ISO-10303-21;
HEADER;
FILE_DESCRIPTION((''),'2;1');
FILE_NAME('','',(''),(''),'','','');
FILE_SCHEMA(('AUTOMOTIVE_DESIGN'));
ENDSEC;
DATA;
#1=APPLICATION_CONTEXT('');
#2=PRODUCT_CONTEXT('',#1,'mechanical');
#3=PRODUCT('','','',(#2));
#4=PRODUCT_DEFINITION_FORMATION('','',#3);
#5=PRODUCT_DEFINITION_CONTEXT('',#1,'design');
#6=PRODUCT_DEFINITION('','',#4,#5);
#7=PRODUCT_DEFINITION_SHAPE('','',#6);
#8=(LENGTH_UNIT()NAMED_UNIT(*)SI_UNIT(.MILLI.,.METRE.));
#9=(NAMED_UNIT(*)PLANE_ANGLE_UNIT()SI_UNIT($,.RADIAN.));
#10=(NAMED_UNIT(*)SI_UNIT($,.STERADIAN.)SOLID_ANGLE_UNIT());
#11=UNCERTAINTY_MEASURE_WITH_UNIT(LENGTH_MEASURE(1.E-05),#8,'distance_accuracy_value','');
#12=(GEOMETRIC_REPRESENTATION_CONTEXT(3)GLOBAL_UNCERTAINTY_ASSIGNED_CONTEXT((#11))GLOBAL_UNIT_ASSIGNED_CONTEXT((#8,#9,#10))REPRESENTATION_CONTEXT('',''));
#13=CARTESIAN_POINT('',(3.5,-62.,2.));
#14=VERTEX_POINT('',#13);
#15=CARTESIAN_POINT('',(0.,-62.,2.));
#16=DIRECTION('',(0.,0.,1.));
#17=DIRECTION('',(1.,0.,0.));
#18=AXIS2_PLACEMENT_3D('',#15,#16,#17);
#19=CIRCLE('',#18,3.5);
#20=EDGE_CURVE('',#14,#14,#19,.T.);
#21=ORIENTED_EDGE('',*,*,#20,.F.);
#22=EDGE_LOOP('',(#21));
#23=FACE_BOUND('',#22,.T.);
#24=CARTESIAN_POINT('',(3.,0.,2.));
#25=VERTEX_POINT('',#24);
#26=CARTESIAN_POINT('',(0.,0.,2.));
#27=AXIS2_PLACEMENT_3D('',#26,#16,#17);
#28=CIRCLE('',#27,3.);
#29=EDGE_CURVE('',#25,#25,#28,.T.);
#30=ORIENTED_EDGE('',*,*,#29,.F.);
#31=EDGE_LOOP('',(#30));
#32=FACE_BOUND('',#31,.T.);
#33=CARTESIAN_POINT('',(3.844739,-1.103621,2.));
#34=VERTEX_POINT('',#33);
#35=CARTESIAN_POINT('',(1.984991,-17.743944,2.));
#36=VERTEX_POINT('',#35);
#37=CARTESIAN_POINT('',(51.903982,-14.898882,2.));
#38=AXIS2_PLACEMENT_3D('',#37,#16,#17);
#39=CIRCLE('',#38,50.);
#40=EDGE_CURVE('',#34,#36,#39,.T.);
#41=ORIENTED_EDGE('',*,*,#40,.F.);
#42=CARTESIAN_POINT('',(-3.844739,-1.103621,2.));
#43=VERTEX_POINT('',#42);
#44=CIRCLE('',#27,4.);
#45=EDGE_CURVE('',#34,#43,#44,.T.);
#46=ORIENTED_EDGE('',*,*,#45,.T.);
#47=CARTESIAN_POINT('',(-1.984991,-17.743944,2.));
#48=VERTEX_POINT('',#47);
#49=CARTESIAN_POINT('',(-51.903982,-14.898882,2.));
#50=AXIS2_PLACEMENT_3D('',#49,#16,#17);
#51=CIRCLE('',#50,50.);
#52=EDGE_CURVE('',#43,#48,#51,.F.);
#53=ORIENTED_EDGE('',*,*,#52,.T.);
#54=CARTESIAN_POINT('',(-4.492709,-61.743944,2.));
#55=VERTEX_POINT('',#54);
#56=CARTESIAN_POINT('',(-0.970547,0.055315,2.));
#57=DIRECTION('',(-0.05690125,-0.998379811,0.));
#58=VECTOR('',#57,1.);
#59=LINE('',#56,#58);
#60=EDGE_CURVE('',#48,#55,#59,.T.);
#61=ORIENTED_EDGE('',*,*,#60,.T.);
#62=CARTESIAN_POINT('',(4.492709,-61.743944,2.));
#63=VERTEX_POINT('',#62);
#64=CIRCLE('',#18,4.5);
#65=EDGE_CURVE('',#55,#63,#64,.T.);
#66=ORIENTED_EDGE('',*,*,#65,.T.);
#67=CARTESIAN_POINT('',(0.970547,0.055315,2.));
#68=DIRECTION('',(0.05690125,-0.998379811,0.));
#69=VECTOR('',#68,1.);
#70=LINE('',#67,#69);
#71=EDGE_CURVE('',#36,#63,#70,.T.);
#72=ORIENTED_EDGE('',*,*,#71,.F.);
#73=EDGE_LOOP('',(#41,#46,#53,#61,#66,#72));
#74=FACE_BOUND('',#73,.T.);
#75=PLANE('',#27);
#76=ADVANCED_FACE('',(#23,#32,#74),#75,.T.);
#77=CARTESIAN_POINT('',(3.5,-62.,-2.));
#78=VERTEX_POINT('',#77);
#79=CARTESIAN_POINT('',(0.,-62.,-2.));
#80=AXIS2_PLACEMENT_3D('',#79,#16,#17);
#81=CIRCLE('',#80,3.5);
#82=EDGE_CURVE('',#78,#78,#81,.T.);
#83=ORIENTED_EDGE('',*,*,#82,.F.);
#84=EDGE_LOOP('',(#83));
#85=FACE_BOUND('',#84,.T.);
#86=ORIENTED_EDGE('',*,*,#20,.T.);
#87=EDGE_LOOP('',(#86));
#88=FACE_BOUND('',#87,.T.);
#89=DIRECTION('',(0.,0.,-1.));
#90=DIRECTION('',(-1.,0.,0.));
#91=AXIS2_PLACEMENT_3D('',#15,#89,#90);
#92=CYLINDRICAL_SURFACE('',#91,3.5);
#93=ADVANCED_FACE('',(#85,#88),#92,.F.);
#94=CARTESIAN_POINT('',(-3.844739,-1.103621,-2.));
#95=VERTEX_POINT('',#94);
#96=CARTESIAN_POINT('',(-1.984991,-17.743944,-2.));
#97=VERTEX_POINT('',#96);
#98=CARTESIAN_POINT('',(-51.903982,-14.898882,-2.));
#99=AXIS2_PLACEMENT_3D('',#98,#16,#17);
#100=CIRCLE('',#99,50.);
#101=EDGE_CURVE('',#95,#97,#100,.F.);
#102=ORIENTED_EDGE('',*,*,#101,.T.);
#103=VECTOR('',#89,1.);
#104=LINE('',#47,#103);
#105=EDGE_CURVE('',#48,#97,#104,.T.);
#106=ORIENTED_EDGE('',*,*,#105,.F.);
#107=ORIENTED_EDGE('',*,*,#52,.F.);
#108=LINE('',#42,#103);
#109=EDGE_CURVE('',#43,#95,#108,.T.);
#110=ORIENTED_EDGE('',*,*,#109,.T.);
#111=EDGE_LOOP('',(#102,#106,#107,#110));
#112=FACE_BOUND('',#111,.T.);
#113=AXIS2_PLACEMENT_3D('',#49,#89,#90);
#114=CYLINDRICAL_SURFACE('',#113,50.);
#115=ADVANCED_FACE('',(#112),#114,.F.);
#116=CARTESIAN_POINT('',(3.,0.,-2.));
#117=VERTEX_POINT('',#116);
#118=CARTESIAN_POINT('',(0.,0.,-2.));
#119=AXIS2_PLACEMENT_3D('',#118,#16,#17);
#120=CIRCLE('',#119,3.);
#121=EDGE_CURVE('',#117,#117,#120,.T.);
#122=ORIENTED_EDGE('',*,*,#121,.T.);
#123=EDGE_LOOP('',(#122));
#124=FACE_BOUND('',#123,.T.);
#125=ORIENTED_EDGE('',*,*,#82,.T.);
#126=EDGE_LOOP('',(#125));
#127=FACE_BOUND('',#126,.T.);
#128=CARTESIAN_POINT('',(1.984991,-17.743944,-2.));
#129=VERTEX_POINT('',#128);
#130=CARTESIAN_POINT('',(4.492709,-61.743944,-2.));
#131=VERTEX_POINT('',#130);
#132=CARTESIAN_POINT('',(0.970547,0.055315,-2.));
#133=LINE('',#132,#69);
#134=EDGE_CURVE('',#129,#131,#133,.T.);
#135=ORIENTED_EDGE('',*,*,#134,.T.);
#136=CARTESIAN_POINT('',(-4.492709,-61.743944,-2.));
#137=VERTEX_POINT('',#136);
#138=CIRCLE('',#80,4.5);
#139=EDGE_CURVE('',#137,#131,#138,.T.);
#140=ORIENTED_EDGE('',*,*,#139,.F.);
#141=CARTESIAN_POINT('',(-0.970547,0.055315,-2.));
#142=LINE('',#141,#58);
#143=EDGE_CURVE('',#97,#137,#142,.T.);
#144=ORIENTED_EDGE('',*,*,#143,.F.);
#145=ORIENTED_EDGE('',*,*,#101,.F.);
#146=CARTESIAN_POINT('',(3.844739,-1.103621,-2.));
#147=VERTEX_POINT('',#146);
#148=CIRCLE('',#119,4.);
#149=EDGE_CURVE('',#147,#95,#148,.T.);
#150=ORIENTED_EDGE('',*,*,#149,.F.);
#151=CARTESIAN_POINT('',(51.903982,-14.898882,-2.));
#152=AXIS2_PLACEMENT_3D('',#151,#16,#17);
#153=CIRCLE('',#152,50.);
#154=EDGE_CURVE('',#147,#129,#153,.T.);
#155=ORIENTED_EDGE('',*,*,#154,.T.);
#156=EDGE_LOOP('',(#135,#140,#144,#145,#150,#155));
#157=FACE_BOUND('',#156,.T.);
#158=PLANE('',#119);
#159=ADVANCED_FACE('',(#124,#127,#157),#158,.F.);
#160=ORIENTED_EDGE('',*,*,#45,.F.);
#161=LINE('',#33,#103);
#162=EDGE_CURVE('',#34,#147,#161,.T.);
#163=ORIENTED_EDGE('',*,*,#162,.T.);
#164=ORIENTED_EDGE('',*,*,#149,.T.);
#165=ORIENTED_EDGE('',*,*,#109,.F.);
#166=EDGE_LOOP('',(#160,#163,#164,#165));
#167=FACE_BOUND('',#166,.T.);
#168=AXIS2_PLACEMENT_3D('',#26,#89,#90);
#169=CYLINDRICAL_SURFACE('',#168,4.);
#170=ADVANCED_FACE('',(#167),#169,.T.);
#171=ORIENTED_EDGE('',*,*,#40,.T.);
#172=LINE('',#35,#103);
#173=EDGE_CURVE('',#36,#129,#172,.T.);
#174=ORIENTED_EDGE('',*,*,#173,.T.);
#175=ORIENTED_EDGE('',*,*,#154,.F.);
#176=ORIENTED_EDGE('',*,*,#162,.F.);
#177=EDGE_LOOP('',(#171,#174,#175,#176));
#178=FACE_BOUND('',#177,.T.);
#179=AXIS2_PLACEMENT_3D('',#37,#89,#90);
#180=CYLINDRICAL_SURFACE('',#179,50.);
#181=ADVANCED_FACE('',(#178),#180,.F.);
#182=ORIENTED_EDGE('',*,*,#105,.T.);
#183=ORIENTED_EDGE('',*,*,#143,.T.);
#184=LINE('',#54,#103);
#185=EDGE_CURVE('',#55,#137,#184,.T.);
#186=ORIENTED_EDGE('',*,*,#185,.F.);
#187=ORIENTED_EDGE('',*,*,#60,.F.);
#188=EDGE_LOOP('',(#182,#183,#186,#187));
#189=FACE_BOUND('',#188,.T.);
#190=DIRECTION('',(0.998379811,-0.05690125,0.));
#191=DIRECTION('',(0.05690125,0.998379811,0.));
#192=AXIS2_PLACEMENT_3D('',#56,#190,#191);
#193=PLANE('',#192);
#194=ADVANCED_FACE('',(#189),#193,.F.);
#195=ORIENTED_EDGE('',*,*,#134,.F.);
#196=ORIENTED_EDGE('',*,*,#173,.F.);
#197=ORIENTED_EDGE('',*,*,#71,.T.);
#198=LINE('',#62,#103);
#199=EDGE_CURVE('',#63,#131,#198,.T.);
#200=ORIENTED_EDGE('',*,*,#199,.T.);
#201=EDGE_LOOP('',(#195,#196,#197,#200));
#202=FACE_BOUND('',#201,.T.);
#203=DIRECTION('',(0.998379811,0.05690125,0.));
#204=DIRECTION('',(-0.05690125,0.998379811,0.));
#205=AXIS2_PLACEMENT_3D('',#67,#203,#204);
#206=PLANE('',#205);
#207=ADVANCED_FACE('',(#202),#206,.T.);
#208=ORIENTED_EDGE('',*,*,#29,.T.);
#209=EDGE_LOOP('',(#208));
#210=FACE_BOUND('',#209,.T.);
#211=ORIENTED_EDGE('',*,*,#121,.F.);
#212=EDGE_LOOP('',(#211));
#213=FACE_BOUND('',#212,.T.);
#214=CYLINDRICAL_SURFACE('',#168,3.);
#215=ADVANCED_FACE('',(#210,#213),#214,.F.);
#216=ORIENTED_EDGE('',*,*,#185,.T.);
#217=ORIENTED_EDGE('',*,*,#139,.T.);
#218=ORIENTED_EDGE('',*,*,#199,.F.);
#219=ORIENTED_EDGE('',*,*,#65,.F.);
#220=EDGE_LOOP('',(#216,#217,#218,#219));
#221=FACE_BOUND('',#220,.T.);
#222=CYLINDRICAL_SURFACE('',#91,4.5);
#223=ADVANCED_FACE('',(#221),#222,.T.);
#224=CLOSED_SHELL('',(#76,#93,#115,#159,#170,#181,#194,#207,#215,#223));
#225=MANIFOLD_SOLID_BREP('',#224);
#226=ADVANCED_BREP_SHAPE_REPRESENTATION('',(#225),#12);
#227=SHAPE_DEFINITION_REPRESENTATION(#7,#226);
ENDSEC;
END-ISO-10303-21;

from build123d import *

# Parameters (mm, degrees)
SKETCH_1_R      = 3
SKETCH_1_R_2    = 3.5
EXTRUDE_1_DEPTH = 2


with BuildPart() as part:
    # 草图1 → 凸台-拉伸1 (new, symmetric)
    with BuildSketch(Plane.XY):
        with BuildLine():
            ThreePointArc((-3.844739387, -1.103620878), (-2.213352607, -9.345380488), (-1.984991162, -17.743944374))
            Line((-1.984991162, -17.743944374), (-4.492709151, -61.743944374))
            ThreePointArc((-4.492709151, -61.743944374), (0, -66.5), (4.492709151, -61.743944374))
            Line((4.492709151, -61.743944374), (1.984991162, -17.743944374))
            ThreePointArc((1.984991162, -17.743944374), (2.213352607, -9.345380488), (3.844739387, -1.103620878))
            ThreePointArc((3.844739387, -1.103620878), (0, 4), (-3.844739387, -1.103620878))
        make_face()
        Circle(SKETCH_1_R, mode=Mode.SUBTRACT)
        with Locations((0, -62)):
            Circle(SKETCH_1_R_2, mode=Mode.SUBTRACT)
    extrude(amount=EXTRUDE_1_DEPTH, both=True)


solid = part.part
